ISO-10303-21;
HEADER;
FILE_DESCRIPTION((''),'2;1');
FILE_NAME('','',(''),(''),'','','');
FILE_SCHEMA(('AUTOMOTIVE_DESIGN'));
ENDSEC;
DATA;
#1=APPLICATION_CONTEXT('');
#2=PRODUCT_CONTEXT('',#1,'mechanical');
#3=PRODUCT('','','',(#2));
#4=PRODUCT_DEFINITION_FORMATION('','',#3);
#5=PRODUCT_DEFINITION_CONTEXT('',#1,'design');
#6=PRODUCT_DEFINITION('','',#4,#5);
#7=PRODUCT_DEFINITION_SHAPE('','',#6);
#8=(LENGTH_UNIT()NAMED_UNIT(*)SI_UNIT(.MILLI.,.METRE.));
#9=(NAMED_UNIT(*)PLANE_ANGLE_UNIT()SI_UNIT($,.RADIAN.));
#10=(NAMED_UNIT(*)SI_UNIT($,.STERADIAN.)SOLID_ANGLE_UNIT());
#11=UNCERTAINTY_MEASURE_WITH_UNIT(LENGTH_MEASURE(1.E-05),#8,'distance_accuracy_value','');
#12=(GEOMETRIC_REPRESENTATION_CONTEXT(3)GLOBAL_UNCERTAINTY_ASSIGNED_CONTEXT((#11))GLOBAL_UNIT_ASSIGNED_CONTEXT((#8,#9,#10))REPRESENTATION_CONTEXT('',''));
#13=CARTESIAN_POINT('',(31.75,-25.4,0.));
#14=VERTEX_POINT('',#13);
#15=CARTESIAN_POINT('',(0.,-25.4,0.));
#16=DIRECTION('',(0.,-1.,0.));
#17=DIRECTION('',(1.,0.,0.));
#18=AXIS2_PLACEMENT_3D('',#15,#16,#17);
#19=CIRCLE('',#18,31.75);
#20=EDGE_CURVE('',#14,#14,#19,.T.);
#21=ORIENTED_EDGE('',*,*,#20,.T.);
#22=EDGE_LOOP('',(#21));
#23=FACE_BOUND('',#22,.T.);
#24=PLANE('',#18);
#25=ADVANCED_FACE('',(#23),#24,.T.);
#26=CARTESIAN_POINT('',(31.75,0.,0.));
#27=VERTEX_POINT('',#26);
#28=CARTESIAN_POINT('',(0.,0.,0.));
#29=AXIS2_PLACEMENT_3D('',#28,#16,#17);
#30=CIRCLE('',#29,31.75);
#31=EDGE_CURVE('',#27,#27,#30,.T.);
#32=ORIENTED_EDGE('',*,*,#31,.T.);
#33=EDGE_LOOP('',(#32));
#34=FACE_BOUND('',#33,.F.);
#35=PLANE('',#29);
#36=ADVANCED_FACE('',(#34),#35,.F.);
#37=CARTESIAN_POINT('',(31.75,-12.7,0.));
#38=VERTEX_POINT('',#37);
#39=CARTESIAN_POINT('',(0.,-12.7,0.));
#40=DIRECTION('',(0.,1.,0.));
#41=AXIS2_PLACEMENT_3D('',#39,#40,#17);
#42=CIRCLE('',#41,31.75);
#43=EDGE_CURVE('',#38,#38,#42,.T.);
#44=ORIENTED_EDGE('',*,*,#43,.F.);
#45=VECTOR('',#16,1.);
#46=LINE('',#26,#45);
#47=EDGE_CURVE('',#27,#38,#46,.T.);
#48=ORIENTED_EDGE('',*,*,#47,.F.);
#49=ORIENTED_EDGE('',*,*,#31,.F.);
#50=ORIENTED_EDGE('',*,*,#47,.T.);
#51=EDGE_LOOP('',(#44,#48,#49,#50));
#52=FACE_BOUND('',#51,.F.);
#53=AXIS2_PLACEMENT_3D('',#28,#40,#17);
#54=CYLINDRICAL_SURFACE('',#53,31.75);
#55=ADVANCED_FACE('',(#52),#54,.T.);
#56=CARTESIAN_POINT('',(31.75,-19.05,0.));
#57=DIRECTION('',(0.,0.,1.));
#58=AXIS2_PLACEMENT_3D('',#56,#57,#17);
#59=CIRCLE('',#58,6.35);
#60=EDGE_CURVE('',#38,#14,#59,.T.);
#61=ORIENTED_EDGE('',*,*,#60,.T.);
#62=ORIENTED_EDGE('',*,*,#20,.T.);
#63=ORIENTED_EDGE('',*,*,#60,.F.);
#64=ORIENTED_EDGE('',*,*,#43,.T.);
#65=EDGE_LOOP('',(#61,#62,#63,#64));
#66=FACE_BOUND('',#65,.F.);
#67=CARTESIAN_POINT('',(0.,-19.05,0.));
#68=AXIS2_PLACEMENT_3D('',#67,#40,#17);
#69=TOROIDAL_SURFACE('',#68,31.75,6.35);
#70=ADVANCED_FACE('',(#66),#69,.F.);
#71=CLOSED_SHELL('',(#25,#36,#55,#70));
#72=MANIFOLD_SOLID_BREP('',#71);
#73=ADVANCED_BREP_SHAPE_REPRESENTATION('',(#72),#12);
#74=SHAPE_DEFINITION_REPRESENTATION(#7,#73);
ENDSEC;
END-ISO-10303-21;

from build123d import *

# Parameters (mm, degrees)
F0_R     = 31.75
F1_DEPTH = 25.4
F4_R     = 6.35


with BuildPart() as f1:
    # F0 (on Front) → F1 (new body)
    with BuildSketch(Plane.XZ):
        Circle(F0_R)
    extrude(amount=F1_DEPTH)

    # F5: sweep along a path in F3
    with BuildLine(Plane(origin=(0, -19.05, 0), x_dir=(1, 0, 0), z_dir=(0, 1, 0))) as f5_path:
        CenterArc((0, 0), 31.75, 0, 360)
    # F4 (on Right) → F5 (sweep, cut)
    with BuildSketch(Plane.YZ):
        with Locations((-19.05, 31.75)):
            Circle(F4_R)
    sweep(path=f5_path.line, mode=Mode.SUBTRACT)


solid = f1.part
